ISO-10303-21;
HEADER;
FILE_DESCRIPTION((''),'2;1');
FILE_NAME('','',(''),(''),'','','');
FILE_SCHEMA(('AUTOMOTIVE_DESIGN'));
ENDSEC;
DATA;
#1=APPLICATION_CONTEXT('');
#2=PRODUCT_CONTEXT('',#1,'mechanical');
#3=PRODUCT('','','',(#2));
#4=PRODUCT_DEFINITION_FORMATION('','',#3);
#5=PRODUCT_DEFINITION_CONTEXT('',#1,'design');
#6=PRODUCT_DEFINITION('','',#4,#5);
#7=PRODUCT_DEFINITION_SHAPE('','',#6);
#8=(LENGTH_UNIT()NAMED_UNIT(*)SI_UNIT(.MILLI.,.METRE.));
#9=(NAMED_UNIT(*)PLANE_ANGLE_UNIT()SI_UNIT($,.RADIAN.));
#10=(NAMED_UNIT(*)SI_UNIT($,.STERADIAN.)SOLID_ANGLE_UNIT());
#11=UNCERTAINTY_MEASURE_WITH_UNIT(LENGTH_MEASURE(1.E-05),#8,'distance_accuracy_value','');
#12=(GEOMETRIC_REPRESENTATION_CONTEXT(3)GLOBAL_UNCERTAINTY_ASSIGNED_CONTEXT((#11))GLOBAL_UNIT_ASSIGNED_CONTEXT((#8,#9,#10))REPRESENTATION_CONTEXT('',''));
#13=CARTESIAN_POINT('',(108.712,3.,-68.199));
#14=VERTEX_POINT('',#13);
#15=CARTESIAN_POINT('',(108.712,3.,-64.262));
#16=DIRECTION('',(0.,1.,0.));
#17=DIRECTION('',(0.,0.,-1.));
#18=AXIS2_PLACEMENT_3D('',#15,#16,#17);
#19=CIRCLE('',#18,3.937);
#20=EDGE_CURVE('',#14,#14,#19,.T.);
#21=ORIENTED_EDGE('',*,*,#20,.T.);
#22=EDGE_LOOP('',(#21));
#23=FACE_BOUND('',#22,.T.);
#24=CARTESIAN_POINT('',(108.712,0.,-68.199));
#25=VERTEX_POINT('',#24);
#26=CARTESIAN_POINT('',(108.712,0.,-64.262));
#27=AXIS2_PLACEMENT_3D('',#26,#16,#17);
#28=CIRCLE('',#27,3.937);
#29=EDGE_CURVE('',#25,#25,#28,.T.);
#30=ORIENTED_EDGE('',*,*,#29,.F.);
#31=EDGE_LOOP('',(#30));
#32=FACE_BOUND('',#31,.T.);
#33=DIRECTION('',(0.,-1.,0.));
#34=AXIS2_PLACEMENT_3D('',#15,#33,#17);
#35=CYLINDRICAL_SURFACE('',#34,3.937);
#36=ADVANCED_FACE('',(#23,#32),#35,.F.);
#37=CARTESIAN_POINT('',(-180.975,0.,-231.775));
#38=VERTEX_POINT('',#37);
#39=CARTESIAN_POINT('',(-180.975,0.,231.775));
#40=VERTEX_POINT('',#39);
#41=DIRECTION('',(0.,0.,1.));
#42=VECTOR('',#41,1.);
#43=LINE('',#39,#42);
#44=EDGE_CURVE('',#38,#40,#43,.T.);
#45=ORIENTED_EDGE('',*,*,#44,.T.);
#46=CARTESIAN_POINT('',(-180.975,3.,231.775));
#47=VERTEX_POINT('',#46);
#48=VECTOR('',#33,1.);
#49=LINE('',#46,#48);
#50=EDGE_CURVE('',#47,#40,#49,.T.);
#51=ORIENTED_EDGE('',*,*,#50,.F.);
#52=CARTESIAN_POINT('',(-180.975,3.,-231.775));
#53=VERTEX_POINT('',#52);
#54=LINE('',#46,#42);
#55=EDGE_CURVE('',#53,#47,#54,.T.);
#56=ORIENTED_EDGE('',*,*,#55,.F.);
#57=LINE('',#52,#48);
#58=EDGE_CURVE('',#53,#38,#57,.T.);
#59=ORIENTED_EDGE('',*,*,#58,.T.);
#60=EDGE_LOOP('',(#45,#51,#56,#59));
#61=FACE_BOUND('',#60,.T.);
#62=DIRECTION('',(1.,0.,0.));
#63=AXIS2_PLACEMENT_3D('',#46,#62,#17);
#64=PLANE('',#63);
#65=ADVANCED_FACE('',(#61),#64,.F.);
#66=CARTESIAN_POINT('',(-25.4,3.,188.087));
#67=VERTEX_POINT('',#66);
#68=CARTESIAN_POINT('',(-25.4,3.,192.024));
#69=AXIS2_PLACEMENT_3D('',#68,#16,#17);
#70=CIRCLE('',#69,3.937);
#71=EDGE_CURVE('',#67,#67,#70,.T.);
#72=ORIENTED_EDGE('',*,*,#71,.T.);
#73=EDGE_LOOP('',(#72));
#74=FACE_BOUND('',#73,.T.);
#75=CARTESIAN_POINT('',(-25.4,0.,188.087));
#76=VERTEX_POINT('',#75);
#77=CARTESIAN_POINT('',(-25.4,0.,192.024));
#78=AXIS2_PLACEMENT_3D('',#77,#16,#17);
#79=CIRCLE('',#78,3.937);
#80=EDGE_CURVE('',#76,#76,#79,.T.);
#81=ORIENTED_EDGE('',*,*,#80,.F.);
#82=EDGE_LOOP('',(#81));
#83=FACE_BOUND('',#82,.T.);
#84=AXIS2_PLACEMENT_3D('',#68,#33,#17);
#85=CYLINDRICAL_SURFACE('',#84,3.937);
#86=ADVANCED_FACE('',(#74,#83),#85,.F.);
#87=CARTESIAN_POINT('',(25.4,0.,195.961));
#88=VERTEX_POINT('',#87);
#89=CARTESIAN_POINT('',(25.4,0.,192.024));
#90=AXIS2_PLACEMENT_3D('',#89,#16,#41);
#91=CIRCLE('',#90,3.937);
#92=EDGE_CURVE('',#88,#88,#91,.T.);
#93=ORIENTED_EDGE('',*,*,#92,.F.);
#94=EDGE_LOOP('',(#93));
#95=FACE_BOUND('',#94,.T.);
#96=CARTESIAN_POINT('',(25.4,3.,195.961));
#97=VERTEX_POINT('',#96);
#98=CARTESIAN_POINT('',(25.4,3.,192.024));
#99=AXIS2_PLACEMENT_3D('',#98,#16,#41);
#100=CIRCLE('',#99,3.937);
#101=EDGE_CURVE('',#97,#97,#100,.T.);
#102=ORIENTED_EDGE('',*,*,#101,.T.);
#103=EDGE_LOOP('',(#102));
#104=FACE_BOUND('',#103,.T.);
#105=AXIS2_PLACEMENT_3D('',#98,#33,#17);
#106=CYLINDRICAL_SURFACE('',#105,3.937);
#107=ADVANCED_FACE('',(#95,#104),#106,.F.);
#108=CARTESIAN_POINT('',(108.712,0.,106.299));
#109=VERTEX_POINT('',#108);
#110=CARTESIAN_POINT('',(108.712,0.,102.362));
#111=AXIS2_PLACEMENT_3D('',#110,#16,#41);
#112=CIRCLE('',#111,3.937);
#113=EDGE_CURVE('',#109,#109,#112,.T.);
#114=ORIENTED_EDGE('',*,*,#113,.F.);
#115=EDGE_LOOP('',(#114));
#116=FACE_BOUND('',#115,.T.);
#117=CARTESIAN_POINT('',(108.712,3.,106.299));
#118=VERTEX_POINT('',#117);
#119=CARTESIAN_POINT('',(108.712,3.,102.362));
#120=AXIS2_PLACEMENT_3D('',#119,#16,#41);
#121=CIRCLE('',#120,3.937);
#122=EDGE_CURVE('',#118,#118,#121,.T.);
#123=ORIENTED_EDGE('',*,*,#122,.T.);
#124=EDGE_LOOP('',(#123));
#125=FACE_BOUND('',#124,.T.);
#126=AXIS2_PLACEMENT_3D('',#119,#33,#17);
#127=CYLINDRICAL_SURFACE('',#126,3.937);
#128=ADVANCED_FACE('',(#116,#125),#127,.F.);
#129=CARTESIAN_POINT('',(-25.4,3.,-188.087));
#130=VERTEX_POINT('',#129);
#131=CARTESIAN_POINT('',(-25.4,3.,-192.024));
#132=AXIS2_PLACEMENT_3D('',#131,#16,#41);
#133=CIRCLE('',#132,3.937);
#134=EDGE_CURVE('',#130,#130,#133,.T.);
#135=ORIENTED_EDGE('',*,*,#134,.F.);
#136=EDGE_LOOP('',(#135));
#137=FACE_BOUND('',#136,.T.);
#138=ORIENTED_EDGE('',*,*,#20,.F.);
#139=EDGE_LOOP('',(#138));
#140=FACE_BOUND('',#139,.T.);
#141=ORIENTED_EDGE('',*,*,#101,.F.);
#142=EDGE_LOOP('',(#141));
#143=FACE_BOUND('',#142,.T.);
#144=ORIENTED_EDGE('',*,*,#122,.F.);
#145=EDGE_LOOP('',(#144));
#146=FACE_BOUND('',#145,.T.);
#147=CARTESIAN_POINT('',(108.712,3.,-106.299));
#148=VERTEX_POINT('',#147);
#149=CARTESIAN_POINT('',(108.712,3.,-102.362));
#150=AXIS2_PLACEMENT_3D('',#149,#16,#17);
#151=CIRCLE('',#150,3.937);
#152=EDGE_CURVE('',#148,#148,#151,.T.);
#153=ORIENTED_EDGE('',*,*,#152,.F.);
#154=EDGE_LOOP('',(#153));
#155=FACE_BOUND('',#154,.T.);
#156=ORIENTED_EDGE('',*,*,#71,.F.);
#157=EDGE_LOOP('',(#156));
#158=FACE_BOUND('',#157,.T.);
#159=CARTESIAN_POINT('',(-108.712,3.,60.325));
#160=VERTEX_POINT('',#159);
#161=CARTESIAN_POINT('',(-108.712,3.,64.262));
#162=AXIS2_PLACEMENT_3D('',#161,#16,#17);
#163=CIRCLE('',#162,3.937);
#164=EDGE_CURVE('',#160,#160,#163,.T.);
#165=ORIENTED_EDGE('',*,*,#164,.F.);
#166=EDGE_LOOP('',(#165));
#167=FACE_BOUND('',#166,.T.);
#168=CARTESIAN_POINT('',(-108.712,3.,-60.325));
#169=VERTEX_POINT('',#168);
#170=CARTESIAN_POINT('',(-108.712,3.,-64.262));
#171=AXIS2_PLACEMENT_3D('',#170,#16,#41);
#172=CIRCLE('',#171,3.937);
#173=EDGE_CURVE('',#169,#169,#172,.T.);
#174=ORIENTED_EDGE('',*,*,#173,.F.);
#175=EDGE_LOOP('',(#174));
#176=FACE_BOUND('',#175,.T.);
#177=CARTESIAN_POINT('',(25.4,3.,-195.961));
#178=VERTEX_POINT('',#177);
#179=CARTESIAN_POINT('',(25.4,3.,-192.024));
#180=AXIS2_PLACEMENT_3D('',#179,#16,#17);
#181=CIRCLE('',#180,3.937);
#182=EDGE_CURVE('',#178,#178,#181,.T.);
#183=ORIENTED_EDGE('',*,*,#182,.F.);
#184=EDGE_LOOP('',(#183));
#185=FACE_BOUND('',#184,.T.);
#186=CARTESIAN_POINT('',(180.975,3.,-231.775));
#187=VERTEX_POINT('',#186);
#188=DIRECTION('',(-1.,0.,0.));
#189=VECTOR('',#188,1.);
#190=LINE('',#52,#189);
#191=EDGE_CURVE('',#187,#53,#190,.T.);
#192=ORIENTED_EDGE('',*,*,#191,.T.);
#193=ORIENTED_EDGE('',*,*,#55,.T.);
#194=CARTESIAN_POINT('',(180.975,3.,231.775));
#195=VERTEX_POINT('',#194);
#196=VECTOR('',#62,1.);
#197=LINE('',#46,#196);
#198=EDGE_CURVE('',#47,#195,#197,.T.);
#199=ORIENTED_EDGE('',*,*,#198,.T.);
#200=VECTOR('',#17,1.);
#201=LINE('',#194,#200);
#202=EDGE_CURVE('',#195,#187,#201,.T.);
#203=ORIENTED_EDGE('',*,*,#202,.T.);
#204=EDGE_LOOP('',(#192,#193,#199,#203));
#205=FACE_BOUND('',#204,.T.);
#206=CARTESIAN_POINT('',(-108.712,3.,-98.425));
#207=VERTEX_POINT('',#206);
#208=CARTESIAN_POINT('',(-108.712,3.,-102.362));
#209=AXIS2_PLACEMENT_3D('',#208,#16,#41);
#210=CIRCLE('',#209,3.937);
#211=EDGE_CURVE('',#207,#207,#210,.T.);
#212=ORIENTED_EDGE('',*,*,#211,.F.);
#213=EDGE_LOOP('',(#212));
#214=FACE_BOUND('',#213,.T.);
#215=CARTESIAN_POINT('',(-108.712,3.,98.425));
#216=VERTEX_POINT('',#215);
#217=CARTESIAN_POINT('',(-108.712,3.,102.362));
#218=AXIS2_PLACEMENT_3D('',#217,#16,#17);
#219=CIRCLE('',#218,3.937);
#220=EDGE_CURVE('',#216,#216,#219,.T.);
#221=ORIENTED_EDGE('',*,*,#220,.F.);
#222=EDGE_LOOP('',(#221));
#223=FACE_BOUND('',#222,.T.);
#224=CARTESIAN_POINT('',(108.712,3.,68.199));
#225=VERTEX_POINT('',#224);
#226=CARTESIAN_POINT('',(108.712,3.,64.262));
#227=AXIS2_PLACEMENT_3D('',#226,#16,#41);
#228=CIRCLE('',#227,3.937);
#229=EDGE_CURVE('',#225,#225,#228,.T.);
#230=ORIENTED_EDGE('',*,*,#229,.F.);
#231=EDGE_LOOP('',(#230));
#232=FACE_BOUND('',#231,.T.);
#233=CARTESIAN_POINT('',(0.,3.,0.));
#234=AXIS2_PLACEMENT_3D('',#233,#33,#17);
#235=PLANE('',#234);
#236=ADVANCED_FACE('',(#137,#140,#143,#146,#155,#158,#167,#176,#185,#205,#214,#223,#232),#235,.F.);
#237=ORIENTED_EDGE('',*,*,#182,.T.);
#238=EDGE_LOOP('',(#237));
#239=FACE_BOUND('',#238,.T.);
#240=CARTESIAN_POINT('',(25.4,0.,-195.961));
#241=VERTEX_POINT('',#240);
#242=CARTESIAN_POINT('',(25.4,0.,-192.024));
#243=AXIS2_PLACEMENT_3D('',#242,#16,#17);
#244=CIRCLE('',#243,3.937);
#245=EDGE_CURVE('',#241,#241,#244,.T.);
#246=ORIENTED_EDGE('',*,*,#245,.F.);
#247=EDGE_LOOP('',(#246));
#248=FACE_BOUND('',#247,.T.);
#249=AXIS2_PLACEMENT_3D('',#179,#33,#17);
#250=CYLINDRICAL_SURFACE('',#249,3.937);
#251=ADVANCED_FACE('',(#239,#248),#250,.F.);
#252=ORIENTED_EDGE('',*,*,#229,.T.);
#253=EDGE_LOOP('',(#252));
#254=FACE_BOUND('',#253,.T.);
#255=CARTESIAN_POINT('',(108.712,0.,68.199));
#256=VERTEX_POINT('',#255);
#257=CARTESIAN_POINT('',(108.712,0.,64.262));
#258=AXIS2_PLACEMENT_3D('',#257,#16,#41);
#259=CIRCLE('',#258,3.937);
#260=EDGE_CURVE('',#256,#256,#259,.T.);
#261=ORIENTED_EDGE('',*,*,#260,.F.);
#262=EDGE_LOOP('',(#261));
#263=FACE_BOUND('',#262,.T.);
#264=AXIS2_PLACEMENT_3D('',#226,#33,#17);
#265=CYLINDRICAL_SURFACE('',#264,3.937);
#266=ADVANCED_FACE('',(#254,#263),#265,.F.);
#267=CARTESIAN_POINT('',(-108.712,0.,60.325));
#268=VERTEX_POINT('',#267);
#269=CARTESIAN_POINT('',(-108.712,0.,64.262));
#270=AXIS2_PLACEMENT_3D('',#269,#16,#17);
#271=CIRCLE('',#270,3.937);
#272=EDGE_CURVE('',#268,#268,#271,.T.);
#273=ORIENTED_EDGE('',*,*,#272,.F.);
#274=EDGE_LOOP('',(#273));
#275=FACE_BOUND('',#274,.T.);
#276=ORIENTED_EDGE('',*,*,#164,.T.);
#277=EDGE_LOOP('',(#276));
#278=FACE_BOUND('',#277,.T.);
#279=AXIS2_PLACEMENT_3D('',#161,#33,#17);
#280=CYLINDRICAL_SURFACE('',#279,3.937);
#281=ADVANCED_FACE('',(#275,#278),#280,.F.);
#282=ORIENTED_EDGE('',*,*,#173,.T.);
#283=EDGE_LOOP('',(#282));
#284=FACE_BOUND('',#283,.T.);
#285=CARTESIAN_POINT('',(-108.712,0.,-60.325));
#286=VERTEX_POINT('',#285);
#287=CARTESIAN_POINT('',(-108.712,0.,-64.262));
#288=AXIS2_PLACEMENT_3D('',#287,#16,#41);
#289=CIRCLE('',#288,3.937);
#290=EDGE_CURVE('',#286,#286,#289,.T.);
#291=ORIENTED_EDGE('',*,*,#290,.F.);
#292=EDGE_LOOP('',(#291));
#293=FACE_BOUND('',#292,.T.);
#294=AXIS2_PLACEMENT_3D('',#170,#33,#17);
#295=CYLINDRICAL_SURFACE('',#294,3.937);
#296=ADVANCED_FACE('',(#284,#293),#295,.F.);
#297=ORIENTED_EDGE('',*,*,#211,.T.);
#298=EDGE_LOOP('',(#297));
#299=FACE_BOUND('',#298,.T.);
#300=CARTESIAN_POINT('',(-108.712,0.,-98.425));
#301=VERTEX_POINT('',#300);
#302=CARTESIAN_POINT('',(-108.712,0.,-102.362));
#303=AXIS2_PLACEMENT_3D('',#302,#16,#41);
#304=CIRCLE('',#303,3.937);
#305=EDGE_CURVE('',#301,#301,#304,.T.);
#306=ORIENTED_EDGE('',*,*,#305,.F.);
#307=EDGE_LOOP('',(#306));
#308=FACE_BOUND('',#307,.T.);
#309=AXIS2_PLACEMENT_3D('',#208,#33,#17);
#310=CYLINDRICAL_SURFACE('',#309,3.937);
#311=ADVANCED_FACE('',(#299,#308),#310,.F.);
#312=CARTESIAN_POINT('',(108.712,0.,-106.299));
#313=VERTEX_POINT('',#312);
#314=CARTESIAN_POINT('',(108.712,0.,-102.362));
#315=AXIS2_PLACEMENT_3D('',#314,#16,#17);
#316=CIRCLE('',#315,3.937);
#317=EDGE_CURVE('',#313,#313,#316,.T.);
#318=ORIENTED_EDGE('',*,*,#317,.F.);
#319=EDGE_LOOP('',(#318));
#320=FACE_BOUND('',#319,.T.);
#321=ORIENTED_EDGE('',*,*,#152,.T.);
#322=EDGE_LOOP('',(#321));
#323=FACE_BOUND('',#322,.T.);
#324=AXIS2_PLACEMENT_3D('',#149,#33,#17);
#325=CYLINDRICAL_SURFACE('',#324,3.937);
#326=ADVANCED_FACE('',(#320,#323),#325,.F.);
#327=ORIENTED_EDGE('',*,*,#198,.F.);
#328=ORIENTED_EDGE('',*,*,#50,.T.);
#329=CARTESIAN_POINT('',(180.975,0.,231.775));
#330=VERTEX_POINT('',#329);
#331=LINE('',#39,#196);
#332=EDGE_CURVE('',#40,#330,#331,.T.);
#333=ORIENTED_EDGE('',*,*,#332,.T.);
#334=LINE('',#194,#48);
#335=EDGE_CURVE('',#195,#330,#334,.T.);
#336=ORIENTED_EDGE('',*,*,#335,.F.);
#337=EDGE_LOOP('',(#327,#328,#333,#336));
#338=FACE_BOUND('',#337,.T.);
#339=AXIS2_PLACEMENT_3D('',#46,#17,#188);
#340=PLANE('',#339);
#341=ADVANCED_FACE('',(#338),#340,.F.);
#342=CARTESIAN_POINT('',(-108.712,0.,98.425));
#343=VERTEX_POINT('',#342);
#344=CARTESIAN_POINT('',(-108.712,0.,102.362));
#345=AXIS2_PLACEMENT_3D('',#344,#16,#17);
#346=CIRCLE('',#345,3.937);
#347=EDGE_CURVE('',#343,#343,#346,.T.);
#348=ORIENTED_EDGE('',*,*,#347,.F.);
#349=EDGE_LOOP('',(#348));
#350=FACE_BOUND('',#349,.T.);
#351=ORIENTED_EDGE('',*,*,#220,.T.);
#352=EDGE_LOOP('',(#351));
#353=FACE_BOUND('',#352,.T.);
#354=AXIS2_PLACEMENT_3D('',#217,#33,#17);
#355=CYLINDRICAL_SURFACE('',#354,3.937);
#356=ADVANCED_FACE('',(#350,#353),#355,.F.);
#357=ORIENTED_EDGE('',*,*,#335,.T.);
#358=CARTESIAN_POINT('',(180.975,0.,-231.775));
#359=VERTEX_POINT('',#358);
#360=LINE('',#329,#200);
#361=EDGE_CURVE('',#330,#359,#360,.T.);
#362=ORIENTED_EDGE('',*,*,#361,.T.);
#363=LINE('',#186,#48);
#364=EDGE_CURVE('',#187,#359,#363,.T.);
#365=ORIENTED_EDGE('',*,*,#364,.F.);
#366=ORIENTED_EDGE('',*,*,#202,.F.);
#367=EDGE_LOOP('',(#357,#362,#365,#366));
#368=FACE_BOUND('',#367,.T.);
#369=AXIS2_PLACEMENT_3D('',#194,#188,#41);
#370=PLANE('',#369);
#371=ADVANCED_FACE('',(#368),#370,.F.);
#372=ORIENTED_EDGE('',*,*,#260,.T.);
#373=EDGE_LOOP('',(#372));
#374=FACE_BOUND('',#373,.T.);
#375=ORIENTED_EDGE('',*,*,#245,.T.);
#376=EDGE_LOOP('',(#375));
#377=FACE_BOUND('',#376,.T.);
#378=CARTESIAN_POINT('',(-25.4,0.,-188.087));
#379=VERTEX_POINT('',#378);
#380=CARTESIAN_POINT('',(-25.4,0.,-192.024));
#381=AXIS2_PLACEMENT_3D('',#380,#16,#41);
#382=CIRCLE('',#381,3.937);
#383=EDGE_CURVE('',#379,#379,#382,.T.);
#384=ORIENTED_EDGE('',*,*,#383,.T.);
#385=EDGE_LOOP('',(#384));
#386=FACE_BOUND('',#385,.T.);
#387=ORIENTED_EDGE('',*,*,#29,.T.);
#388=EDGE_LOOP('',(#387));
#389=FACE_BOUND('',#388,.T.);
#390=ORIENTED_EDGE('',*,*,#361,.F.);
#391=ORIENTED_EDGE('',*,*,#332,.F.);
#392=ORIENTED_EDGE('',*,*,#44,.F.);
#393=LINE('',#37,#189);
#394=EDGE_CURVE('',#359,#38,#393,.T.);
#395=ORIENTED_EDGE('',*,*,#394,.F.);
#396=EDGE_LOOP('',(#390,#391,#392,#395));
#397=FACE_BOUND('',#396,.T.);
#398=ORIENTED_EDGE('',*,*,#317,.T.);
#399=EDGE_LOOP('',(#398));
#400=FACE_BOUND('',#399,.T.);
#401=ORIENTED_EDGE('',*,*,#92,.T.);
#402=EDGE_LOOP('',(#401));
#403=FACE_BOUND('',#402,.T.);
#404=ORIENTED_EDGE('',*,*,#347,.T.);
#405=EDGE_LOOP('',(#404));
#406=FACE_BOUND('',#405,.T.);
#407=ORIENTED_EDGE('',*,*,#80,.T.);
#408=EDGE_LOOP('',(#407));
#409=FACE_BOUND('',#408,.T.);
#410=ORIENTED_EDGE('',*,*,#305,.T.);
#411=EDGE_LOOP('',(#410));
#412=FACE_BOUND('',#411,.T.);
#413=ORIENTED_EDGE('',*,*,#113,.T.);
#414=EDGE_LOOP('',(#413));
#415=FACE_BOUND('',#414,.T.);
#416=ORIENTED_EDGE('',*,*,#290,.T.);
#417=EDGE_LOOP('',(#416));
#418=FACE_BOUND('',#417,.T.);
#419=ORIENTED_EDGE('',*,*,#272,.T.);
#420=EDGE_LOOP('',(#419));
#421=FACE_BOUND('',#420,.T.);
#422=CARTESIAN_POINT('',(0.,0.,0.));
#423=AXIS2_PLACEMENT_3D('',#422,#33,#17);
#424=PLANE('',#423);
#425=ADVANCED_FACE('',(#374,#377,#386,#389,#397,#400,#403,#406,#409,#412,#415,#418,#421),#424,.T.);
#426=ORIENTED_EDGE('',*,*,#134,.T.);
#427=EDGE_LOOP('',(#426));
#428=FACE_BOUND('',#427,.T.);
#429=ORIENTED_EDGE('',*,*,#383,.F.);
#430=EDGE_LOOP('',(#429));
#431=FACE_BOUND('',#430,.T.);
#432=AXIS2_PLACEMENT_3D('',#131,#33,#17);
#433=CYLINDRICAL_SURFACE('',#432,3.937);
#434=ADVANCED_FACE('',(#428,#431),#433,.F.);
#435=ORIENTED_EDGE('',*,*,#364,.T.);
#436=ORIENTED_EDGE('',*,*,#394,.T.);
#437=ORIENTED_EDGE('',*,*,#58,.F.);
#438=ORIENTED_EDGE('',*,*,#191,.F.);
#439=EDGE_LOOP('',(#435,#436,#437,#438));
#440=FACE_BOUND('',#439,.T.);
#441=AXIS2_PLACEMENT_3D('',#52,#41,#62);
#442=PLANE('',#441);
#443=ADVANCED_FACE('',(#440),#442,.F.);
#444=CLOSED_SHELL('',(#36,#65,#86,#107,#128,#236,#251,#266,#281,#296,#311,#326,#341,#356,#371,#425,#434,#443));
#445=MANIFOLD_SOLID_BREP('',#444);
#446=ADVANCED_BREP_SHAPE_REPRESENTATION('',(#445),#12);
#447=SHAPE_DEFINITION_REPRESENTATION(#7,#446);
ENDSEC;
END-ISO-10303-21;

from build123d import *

# Parameters (mm, degrees)
SKETCH1_W           = 361.95
SKETCH1_H           = 463.55
SKETCH1_R           = 3.937
BOSS_EXTRUDE1_DEPTH = 3


with BuildPart() as part:
    # Sketch1 → Boss-Extrude1 (new body)
    with BuildSketch(Plane(origin=(0, 0, 0), x_dir=(1, 0, 0), z_dir=(0, 1, 0))):
        Rectangle(SKETCH1_W, SKETCH1_H)
        with Locations(Location((-108.712, 64.262, 0), (0, 0, 270))):
            Circle(SKETCH1_R, mode=Mode.SUBTRACT)
        with Locations(Location((-108.712, 102.362, 0), (0, 0, 270))):
            Circle(SKETCH1_R, mode=Mode.SUBTRACT)
        with Locations(Location((-108.712, -102.362, 0), (0, 0, 90))):
            Circle(SKETCH1_R, mode=Mode.SUBTRACT)
        with Locations(Location((-108.712, -64.262, 0), (0, 0, 90))):
            Circle(SKETCH1_R, mode=Mode.SUBTRACT)
        with Locations(Location((-25.4, 192.024, 0), (0, 0, 270))):
            Circle(SKETCH1_R, mode=Mode.SUBTRACT)
        with Locations(Location((-25.4, -192.024, 0), (0, 0, 90))):
            Circle(SKETCH1_R, mode=Mode.SUBTRACT)
        with Locations(Location((25.4, -192.024, 0), (0, 0, 270))):
            Circle(SKETCH1_R, mode=Mode.SUBTRACT)
        with Locations(Location((108.712, -64.262, 0), (0, 0, 270))):
            Circle(SKETCH1_R, mode=Mode.SUBTRACT)
        with Locations(Location((108.712, -102.362, 0), (0, 0, 270))):
            Circle(SKETCH1_R, mode=Mode.SUBTRACT)
        with Locations(Location((25.4, 192.024, 0), (0, 0, 90))):
            Circle(SKETCH1_R, mode=Mode.SUBTRACT)
        with Locations(Location((108.712, 102.362, 0), (0, 0, 90))):
            Circle(SKETCH1_R, mode=Mode.SUBTRACT)
        with Locations(Location((108.712, 64.262, 0), (0, 0, 90))):
            Circle(SKETCH1_R, mode=Mode.SUBTRACT)
    extrude(amount=BOSS_EXTRUDE1_DEPTH)


solid = part.part
